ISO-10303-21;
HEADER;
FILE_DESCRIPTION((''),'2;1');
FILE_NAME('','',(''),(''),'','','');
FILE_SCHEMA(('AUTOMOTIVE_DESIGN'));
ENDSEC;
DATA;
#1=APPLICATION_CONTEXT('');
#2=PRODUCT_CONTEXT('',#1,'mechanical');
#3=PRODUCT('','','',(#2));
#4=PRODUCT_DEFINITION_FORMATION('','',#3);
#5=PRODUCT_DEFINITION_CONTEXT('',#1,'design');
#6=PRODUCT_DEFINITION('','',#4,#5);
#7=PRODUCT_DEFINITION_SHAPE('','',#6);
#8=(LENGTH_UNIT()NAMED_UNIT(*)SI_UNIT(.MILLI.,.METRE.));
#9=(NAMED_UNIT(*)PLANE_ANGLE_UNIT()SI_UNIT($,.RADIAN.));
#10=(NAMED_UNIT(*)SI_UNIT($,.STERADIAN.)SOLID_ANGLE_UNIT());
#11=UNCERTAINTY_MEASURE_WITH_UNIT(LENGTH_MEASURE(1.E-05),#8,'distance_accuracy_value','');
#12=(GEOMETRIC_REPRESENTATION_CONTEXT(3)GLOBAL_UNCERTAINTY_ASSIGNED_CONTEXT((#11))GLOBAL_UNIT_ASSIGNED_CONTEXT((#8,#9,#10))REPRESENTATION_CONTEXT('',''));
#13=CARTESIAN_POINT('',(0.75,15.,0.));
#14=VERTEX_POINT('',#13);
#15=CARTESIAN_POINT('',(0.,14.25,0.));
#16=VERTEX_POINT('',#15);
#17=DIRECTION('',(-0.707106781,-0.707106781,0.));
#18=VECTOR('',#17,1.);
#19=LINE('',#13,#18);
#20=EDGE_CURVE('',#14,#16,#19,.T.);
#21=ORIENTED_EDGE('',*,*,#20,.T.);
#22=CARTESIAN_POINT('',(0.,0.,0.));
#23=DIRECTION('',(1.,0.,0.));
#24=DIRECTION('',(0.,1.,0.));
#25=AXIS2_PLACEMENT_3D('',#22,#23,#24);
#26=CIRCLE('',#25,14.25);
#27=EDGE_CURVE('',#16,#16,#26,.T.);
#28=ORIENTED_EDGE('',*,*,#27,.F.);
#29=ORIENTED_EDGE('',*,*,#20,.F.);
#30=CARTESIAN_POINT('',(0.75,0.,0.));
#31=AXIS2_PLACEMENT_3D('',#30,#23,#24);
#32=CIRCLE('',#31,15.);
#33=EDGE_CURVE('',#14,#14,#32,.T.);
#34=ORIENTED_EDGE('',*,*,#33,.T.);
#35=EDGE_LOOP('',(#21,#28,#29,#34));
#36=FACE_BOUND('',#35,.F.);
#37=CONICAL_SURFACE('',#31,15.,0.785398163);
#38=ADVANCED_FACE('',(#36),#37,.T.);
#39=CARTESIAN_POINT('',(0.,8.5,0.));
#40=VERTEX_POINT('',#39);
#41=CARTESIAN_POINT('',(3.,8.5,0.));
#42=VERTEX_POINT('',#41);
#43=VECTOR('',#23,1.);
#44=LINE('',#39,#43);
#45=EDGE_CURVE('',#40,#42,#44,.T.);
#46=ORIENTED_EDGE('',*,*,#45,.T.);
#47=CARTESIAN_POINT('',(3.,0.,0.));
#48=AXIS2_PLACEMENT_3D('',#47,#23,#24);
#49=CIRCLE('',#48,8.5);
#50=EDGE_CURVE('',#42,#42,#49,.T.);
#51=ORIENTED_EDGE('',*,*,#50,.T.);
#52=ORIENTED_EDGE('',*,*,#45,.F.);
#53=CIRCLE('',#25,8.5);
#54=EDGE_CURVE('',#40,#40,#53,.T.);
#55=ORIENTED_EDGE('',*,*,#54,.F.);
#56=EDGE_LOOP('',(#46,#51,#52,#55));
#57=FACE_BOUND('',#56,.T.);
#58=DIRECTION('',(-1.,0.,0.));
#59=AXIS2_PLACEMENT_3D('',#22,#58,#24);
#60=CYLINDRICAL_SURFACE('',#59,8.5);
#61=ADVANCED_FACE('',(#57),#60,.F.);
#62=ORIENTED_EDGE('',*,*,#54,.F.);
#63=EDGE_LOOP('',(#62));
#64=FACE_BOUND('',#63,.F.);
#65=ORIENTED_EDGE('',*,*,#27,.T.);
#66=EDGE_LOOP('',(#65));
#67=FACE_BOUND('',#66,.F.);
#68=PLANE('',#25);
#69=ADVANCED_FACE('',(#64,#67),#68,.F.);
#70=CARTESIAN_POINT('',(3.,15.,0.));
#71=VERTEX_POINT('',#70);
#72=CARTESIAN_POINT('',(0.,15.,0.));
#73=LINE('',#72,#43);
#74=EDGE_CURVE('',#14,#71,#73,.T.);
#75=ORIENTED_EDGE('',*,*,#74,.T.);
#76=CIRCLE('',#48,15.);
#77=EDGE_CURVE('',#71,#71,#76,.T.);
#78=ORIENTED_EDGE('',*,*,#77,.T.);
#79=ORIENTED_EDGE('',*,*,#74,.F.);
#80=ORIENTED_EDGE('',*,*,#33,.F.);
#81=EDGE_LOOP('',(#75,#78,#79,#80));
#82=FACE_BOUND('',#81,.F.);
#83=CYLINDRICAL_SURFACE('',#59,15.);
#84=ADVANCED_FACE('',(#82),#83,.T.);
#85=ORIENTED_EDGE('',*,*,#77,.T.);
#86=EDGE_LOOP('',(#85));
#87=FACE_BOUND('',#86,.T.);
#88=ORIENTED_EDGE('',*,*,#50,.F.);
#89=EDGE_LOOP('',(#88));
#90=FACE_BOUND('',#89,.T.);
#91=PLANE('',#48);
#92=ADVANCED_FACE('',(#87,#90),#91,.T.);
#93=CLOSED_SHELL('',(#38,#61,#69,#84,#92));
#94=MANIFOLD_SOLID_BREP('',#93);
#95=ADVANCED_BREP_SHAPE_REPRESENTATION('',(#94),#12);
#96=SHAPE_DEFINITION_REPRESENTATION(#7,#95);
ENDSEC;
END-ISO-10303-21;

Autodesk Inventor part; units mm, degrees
ref_plane "YZ Plane" through (0, 0, 0) normal (1, 0, 0) x (0, 1, 0)
ref_plane "XZ Plane" through (0, 0, 0) normal (0, 1, 0) x (-1, 0, 0)
ref_plane "XY Plane" through (0, 0, 0) normal (0, 0, 1) x (1, 0, 0)
sketch "Skizze" plane through (0, 0, 0) normal (1, 0, 0) x (0, 1, 0)
  circle A0 centre (0, 0) radius 15
  circle A1 centre (0, 0) radius 8.5
  dimension "d0" = 17
  dimension "d1" = 30
extrude "Körper" add sketch "Skizze" along normal blind 3
chamfer "Fase" distance 0.75 angle 45 1 edges at (0, -15, 0) measured on face at (2, 14.9514, -1.207)
equation "\"d0\" = SD1"
equation "\"d1\" = SD2"
equation "\"d2\" = SD"
equation "\"d4\" = PHH"
equation "\"d8\" = PHH"
equation "\"SD1\" = 17"
equation "\"SD2\" = 30"
equation "\"SD\" = 3"
equation "\"PHH\" = 0.75"
equation "\"FAWI\" = 45deg"
equation "\"NND\" = 16"
properties part number "DIN 125-1 - B 17"
